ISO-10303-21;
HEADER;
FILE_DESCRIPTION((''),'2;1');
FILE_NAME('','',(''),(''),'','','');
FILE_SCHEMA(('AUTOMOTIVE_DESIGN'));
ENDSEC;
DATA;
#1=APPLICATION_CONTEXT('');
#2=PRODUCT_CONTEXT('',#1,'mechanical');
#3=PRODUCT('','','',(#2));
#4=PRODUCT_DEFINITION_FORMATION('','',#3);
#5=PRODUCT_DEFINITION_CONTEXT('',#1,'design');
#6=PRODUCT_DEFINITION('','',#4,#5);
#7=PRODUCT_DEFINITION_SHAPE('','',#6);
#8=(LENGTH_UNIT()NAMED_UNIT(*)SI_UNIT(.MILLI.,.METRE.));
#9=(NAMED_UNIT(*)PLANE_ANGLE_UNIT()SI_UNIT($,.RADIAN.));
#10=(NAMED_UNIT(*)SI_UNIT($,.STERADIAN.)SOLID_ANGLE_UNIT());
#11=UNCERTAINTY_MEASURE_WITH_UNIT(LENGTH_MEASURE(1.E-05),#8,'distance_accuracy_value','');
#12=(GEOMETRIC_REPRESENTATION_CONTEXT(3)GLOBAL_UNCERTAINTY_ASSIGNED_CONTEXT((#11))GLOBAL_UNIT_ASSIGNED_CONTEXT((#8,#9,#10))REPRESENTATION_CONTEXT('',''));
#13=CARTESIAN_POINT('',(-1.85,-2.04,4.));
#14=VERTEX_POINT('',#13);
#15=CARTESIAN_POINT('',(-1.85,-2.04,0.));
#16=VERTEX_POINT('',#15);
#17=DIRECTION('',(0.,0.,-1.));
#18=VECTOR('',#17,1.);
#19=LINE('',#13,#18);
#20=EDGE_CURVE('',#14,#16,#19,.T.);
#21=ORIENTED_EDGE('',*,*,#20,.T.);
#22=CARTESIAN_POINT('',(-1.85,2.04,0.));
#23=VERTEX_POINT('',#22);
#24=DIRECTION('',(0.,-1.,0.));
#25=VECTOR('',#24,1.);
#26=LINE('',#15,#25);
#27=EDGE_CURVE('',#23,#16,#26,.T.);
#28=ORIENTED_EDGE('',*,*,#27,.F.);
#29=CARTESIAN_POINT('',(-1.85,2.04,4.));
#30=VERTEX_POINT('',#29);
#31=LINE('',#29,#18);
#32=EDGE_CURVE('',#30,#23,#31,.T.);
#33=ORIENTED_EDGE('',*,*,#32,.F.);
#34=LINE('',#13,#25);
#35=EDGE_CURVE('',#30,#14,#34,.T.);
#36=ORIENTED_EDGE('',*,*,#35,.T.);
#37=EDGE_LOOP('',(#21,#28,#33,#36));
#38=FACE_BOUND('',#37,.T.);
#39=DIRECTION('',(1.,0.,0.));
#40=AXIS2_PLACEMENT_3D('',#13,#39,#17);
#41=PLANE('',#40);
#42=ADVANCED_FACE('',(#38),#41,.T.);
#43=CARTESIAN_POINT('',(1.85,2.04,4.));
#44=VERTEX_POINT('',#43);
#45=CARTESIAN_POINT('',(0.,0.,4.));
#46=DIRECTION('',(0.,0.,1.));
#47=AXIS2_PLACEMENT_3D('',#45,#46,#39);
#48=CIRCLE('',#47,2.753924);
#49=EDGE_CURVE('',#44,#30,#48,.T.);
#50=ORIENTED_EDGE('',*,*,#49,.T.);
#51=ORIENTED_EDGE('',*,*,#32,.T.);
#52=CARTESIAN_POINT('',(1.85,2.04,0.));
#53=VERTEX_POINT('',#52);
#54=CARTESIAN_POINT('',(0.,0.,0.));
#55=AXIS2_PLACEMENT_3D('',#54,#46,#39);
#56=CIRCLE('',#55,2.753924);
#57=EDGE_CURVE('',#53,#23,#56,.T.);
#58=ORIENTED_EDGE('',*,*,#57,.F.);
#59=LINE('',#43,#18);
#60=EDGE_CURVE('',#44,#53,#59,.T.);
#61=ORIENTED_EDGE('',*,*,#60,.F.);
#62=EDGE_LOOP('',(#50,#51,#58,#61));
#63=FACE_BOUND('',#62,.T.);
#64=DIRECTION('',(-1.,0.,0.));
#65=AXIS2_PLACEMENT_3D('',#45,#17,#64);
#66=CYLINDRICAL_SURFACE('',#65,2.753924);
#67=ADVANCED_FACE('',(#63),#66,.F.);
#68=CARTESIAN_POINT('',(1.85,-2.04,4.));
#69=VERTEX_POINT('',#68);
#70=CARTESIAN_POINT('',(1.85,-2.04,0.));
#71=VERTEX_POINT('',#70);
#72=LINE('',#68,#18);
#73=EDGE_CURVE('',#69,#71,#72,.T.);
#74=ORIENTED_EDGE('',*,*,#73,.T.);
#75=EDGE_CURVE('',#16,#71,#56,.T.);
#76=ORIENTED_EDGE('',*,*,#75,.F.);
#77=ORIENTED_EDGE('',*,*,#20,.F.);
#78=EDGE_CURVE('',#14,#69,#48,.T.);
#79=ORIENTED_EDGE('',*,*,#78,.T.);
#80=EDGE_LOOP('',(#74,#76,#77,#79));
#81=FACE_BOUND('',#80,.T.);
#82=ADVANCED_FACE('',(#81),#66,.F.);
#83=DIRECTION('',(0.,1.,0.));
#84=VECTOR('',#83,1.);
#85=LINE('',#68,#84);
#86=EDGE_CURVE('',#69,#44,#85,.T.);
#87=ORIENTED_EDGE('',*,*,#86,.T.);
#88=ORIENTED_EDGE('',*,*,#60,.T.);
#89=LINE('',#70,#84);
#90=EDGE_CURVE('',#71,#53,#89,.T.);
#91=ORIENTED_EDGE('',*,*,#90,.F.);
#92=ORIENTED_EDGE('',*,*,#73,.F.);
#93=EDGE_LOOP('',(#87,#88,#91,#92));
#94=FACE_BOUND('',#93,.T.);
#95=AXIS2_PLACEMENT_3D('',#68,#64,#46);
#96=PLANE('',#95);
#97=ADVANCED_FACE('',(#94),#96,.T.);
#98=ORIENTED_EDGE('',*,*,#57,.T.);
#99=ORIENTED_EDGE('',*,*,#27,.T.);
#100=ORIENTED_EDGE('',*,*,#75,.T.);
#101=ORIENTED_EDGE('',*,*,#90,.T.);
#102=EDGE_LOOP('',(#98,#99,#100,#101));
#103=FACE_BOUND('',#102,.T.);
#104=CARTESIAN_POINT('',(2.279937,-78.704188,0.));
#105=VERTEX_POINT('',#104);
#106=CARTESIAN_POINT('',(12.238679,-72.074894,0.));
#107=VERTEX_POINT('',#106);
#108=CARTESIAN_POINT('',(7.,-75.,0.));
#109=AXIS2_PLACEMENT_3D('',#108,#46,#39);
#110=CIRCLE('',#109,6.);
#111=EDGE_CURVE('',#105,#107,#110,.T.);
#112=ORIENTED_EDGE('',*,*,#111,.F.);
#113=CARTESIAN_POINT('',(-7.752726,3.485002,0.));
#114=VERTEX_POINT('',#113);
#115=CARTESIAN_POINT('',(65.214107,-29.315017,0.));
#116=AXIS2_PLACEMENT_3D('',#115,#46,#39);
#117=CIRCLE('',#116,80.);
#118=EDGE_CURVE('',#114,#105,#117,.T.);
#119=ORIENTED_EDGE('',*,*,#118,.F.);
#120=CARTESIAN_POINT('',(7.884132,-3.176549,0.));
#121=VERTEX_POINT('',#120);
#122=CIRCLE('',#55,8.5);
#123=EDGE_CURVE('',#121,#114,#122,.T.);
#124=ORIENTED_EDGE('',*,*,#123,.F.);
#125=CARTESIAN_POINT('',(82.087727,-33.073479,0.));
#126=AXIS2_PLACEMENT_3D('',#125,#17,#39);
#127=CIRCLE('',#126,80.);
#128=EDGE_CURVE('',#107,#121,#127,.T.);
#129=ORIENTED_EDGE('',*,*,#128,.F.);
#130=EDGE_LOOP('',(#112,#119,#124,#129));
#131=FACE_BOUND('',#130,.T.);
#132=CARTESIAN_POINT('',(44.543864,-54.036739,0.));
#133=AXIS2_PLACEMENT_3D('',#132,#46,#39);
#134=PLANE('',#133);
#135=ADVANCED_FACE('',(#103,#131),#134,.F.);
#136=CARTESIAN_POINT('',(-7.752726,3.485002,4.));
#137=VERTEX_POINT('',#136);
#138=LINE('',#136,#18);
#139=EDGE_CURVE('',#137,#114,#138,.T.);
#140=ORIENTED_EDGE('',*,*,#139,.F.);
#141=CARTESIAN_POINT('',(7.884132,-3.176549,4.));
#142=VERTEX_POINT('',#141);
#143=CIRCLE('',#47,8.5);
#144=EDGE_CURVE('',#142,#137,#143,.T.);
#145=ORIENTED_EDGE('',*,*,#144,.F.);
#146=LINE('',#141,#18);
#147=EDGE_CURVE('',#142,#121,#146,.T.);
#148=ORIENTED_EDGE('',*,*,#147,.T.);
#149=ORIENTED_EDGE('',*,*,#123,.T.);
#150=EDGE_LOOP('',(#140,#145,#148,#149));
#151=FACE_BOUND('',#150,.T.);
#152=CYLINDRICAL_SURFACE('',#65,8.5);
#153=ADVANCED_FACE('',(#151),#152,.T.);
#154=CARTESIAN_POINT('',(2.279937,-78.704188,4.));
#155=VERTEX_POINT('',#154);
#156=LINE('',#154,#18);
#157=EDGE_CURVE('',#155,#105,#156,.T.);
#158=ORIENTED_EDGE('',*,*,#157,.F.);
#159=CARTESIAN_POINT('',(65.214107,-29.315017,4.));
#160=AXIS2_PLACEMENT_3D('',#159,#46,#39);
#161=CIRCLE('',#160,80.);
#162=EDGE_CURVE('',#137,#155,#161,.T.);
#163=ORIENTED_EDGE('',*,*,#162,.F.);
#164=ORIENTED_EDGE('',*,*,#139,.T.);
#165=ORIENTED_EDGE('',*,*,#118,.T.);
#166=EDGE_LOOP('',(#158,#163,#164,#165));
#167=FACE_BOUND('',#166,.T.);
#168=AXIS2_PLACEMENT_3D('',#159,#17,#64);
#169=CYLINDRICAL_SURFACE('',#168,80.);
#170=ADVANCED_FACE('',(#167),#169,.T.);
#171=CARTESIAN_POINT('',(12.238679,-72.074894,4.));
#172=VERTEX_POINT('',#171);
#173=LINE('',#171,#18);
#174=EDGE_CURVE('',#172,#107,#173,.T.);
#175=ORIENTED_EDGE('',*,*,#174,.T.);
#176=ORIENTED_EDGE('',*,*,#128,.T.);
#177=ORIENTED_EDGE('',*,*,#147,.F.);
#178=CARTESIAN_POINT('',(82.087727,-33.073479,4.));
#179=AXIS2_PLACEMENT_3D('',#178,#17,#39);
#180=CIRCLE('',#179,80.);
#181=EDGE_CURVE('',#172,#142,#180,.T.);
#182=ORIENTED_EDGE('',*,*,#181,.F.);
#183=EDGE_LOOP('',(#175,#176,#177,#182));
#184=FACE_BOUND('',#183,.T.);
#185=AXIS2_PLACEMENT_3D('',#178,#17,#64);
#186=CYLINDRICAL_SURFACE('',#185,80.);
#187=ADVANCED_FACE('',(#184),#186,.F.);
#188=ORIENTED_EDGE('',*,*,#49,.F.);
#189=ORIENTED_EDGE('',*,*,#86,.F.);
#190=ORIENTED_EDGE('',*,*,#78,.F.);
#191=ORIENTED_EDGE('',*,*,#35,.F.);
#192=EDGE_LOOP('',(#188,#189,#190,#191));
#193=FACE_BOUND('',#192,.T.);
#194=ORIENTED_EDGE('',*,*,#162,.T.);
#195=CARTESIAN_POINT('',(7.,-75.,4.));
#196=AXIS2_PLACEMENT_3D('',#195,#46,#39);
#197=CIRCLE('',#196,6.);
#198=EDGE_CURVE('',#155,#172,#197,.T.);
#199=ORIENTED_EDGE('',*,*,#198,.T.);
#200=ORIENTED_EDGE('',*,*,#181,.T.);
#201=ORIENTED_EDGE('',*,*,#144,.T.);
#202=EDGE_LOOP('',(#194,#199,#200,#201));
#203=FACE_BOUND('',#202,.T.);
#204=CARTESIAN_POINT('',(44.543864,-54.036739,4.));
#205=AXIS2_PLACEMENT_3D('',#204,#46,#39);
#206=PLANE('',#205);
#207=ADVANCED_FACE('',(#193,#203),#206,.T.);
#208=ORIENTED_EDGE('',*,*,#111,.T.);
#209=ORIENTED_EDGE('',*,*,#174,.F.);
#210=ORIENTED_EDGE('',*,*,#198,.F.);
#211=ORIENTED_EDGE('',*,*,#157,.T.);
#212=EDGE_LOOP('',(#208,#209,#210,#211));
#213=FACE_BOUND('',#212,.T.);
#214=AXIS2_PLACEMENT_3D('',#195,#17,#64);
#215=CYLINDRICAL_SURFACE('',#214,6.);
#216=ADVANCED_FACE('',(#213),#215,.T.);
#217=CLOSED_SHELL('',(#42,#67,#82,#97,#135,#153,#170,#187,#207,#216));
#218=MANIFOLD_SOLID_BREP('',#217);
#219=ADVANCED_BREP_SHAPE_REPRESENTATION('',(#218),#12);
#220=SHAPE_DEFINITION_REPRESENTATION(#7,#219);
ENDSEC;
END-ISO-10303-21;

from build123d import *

# Parameters (mm, degrees)
BOSS_EXTRUDE1_DEPTH = 4


with BuildPart() as part:
    # Sketch1 → Boss-Extrude1 (new body)
    with BuildSketch(Plane.XY):
        with BuildLine():
            ThreePointArc((7.884132017, -3.176548808), (3.33142336, 7.819950025), (-7.75272605, 3.485001979))
            ThreePointArc((-7.75272605, 3.485001979), (-14.196448744, -39.008497905), (2.279937241, -78.704187839))
            ThreePointArc((2.279937241, -78.704187839), (10.324774467, -79.994584542), (12.238678661, -72.074893868))
            ThreePointArc((12.238678661, -72.074893868), (2.247032536, -38.119609121), (7.884132017, -3.176548808))
        make_face()
        with BuildLine():
            Line((-1.85, -2.04), (-1.85, 2.04))
            ThreePointArc((-1.85, 2.04), (0, 2.753924472), (1.85, 2.04))
            Line((1.85, 2.04), (1.85, -2.04))
            ThreePointArc((1.85, -2.04), (0, -2.753924472), (-1.85, -2.04))
        make_face(mode=Mode.SUBTRACT)
    extrude(amount=BOSS_EXTRUDE1_DEPTH)


solid = part.part
